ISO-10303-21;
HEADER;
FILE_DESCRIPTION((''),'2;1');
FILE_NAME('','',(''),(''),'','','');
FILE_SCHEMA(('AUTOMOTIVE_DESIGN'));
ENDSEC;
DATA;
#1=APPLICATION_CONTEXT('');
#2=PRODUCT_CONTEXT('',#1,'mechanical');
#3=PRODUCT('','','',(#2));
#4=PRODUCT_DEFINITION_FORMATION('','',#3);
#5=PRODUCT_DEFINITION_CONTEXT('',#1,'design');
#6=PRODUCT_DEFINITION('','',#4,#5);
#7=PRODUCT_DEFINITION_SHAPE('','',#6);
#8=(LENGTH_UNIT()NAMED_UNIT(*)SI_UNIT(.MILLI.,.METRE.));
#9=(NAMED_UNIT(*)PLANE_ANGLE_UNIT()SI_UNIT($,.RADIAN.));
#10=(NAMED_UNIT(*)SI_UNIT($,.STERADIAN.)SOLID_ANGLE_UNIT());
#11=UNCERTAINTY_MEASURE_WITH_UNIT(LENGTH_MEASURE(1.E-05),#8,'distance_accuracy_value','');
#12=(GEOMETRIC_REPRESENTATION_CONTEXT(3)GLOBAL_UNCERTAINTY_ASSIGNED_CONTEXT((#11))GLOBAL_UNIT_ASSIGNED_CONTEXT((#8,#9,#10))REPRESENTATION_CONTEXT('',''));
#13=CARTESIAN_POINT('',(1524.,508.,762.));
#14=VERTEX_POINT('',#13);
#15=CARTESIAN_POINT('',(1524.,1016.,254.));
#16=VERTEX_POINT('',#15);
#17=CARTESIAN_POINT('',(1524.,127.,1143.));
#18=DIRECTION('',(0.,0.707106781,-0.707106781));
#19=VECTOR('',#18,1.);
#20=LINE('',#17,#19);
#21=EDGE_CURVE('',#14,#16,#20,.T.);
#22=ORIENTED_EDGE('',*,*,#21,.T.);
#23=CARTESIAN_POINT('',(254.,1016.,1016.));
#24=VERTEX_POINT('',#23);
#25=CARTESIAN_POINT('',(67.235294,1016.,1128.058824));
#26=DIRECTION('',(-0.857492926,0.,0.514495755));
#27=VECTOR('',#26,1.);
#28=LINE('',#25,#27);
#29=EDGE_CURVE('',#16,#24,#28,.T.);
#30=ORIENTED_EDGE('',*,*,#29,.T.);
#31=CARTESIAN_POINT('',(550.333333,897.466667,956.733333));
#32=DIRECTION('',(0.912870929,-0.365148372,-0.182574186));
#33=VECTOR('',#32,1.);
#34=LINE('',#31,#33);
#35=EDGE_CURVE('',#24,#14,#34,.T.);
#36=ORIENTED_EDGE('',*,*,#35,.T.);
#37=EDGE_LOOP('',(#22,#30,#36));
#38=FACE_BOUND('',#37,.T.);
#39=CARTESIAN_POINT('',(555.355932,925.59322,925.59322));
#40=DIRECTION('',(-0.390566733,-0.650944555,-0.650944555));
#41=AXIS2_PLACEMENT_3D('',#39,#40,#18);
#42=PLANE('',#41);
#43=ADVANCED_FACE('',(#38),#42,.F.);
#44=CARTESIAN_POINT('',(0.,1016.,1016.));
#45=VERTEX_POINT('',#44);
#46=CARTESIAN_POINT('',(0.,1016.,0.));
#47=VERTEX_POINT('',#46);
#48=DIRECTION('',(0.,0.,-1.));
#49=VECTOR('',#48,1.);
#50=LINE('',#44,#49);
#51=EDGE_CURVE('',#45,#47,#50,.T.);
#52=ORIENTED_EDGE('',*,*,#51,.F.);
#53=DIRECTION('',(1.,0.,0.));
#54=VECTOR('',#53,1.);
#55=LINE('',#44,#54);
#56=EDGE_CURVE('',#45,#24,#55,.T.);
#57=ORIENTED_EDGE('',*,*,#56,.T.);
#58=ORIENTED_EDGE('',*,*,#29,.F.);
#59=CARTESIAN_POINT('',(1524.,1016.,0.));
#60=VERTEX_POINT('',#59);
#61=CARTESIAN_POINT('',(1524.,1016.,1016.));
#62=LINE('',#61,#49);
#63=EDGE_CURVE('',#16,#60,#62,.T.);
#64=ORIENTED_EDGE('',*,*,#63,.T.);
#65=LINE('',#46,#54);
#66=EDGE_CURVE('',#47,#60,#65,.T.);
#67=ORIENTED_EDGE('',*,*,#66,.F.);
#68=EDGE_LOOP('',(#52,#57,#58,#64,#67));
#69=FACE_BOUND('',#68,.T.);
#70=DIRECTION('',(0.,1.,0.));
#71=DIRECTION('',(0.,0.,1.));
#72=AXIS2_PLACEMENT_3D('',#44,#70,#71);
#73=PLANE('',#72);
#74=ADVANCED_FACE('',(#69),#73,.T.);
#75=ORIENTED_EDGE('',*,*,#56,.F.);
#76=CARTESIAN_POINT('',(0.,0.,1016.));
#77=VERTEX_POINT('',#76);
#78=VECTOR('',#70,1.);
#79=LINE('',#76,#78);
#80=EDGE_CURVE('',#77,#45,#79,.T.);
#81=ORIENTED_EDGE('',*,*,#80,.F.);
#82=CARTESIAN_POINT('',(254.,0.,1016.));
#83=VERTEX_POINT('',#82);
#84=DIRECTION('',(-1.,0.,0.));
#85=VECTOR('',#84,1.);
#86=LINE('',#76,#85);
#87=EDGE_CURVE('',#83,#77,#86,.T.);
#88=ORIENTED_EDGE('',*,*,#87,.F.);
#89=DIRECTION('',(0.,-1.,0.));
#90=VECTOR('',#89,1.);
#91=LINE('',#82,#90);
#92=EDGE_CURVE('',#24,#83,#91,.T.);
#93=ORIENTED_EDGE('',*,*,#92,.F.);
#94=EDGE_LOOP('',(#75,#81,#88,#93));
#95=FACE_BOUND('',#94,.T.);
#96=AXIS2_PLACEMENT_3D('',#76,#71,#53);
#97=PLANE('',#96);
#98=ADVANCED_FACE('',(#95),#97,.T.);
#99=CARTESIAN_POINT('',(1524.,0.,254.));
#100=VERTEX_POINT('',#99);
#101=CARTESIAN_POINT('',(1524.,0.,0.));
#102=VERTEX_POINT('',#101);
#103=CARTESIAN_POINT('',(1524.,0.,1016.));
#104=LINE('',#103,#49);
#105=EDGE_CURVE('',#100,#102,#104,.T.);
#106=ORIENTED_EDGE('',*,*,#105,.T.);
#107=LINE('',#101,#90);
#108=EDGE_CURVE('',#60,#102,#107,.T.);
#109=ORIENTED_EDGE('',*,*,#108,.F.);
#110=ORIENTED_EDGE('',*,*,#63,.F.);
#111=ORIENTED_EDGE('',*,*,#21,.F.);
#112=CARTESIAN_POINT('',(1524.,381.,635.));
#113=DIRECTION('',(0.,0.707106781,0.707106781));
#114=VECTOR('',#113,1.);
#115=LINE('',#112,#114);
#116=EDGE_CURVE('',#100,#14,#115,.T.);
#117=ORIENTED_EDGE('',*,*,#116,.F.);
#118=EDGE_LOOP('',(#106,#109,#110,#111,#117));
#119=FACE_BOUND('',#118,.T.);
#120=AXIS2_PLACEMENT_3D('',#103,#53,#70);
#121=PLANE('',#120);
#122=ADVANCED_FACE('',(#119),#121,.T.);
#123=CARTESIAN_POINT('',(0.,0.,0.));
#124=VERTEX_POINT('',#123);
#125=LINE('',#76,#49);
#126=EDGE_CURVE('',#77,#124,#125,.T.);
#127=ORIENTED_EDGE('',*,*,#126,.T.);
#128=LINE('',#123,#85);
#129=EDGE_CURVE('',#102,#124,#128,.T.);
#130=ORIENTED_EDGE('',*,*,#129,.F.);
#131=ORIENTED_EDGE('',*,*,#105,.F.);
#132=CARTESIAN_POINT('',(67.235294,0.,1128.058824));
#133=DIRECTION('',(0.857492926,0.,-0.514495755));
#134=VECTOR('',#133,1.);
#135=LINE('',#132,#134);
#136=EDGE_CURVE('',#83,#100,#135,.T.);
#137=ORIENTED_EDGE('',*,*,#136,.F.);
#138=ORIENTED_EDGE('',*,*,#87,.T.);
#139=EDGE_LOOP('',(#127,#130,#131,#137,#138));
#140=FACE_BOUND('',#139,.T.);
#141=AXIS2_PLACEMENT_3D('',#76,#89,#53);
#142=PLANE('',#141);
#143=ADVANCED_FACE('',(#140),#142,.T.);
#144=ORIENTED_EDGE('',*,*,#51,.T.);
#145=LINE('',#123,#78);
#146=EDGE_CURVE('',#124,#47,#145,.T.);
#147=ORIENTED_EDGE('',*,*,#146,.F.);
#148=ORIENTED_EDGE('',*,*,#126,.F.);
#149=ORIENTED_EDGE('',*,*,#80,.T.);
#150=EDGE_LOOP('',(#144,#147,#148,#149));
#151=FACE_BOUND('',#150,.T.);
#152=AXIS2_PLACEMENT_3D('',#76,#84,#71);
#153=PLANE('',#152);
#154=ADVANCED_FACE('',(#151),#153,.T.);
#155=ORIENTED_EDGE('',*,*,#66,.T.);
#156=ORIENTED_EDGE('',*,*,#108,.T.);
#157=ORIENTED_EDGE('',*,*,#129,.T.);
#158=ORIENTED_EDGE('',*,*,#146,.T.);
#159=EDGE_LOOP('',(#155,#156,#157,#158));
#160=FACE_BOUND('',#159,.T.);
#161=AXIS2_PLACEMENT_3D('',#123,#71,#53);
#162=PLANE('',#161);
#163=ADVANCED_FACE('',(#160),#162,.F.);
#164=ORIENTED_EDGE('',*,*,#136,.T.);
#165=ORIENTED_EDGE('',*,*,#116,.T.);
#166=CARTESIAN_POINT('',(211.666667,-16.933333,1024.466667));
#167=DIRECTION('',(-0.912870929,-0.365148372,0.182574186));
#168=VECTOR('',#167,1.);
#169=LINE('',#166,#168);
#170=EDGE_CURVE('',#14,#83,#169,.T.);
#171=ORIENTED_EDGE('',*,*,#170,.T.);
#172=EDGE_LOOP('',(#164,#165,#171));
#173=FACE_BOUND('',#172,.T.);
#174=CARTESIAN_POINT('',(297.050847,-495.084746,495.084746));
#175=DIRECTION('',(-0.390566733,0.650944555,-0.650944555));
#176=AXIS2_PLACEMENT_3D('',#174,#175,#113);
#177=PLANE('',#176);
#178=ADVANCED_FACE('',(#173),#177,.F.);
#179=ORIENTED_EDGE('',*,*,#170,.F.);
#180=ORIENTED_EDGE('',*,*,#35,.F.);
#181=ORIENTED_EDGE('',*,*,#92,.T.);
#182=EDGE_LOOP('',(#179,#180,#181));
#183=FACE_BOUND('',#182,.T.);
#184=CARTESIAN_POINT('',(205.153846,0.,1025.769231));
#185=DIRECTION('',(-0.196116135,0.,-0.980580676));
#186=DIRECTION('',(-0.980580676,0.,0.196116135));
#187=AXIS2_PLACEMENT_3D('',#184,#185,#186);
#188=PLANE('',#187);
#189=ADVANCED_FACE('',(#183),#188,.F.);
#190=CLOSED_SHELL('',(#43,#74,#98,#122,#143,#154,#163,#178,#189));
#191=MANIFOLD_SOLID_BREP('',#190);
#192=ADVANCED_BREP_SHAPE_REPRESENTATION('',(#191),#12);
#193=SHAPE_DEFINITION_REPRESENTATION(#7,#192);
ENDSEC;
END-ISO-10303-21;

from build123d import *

# Parameters (mm, degrees)
SKETCH1_W           = 1270
SKETCH1_H           = 1016
SKETCH1_W_2         = 254
BOSS_EXTRUDE1_DEPTH = 1016


with BuildPart() as part:
    # Sketch1 → Boss-Extrude1 (new body)
    with BuildSketch(Plane.XY):
        with Locations((889, 508)):
            Rectangle(SKETCH1_W, SKETCH1_H)
        with Locations((127, 508)):
            Rectangle(SKETCH1_W_2, SKETCH1_H)
    extrude(amount=BOSS_EXTRUDE1_DEPTH)

    # SurfaceCut2
    split(bisect_by=Plane(origin=(555.355932203, 925.593220339, 925.593220339), x_dir=(-0.9205746178983233, 0.27617238536949706, 0.27617238536949706), z_dir=(-0.3905667329424717, -0.6509445549041193, -0.6509445549041194)), keep=Keep.TOP)

    # SurfaceCut3
    split(bisect_by=Plane(origin=(297.050847458, -495.084745763, 495.084745763), x_dir=(-0.9205746178983234, -0.27617238536949706, 0.2761723853694971), z_dir=(-0.39056673294247174, 0.6509445549041194, -0.6509445549041194)), keep=Keep.TOP)

    # SurfaceCut4
    split(bisect_by=Plane(origin=(205.153846154, 0, 1025.769230769), x_dir=(-0.9805806756909202, 0, 0.196116135138184), z_dir=(-0.196116135138184, 0, -0.9805806756909202)), keep=Keep.TOP)


solid = part.part
